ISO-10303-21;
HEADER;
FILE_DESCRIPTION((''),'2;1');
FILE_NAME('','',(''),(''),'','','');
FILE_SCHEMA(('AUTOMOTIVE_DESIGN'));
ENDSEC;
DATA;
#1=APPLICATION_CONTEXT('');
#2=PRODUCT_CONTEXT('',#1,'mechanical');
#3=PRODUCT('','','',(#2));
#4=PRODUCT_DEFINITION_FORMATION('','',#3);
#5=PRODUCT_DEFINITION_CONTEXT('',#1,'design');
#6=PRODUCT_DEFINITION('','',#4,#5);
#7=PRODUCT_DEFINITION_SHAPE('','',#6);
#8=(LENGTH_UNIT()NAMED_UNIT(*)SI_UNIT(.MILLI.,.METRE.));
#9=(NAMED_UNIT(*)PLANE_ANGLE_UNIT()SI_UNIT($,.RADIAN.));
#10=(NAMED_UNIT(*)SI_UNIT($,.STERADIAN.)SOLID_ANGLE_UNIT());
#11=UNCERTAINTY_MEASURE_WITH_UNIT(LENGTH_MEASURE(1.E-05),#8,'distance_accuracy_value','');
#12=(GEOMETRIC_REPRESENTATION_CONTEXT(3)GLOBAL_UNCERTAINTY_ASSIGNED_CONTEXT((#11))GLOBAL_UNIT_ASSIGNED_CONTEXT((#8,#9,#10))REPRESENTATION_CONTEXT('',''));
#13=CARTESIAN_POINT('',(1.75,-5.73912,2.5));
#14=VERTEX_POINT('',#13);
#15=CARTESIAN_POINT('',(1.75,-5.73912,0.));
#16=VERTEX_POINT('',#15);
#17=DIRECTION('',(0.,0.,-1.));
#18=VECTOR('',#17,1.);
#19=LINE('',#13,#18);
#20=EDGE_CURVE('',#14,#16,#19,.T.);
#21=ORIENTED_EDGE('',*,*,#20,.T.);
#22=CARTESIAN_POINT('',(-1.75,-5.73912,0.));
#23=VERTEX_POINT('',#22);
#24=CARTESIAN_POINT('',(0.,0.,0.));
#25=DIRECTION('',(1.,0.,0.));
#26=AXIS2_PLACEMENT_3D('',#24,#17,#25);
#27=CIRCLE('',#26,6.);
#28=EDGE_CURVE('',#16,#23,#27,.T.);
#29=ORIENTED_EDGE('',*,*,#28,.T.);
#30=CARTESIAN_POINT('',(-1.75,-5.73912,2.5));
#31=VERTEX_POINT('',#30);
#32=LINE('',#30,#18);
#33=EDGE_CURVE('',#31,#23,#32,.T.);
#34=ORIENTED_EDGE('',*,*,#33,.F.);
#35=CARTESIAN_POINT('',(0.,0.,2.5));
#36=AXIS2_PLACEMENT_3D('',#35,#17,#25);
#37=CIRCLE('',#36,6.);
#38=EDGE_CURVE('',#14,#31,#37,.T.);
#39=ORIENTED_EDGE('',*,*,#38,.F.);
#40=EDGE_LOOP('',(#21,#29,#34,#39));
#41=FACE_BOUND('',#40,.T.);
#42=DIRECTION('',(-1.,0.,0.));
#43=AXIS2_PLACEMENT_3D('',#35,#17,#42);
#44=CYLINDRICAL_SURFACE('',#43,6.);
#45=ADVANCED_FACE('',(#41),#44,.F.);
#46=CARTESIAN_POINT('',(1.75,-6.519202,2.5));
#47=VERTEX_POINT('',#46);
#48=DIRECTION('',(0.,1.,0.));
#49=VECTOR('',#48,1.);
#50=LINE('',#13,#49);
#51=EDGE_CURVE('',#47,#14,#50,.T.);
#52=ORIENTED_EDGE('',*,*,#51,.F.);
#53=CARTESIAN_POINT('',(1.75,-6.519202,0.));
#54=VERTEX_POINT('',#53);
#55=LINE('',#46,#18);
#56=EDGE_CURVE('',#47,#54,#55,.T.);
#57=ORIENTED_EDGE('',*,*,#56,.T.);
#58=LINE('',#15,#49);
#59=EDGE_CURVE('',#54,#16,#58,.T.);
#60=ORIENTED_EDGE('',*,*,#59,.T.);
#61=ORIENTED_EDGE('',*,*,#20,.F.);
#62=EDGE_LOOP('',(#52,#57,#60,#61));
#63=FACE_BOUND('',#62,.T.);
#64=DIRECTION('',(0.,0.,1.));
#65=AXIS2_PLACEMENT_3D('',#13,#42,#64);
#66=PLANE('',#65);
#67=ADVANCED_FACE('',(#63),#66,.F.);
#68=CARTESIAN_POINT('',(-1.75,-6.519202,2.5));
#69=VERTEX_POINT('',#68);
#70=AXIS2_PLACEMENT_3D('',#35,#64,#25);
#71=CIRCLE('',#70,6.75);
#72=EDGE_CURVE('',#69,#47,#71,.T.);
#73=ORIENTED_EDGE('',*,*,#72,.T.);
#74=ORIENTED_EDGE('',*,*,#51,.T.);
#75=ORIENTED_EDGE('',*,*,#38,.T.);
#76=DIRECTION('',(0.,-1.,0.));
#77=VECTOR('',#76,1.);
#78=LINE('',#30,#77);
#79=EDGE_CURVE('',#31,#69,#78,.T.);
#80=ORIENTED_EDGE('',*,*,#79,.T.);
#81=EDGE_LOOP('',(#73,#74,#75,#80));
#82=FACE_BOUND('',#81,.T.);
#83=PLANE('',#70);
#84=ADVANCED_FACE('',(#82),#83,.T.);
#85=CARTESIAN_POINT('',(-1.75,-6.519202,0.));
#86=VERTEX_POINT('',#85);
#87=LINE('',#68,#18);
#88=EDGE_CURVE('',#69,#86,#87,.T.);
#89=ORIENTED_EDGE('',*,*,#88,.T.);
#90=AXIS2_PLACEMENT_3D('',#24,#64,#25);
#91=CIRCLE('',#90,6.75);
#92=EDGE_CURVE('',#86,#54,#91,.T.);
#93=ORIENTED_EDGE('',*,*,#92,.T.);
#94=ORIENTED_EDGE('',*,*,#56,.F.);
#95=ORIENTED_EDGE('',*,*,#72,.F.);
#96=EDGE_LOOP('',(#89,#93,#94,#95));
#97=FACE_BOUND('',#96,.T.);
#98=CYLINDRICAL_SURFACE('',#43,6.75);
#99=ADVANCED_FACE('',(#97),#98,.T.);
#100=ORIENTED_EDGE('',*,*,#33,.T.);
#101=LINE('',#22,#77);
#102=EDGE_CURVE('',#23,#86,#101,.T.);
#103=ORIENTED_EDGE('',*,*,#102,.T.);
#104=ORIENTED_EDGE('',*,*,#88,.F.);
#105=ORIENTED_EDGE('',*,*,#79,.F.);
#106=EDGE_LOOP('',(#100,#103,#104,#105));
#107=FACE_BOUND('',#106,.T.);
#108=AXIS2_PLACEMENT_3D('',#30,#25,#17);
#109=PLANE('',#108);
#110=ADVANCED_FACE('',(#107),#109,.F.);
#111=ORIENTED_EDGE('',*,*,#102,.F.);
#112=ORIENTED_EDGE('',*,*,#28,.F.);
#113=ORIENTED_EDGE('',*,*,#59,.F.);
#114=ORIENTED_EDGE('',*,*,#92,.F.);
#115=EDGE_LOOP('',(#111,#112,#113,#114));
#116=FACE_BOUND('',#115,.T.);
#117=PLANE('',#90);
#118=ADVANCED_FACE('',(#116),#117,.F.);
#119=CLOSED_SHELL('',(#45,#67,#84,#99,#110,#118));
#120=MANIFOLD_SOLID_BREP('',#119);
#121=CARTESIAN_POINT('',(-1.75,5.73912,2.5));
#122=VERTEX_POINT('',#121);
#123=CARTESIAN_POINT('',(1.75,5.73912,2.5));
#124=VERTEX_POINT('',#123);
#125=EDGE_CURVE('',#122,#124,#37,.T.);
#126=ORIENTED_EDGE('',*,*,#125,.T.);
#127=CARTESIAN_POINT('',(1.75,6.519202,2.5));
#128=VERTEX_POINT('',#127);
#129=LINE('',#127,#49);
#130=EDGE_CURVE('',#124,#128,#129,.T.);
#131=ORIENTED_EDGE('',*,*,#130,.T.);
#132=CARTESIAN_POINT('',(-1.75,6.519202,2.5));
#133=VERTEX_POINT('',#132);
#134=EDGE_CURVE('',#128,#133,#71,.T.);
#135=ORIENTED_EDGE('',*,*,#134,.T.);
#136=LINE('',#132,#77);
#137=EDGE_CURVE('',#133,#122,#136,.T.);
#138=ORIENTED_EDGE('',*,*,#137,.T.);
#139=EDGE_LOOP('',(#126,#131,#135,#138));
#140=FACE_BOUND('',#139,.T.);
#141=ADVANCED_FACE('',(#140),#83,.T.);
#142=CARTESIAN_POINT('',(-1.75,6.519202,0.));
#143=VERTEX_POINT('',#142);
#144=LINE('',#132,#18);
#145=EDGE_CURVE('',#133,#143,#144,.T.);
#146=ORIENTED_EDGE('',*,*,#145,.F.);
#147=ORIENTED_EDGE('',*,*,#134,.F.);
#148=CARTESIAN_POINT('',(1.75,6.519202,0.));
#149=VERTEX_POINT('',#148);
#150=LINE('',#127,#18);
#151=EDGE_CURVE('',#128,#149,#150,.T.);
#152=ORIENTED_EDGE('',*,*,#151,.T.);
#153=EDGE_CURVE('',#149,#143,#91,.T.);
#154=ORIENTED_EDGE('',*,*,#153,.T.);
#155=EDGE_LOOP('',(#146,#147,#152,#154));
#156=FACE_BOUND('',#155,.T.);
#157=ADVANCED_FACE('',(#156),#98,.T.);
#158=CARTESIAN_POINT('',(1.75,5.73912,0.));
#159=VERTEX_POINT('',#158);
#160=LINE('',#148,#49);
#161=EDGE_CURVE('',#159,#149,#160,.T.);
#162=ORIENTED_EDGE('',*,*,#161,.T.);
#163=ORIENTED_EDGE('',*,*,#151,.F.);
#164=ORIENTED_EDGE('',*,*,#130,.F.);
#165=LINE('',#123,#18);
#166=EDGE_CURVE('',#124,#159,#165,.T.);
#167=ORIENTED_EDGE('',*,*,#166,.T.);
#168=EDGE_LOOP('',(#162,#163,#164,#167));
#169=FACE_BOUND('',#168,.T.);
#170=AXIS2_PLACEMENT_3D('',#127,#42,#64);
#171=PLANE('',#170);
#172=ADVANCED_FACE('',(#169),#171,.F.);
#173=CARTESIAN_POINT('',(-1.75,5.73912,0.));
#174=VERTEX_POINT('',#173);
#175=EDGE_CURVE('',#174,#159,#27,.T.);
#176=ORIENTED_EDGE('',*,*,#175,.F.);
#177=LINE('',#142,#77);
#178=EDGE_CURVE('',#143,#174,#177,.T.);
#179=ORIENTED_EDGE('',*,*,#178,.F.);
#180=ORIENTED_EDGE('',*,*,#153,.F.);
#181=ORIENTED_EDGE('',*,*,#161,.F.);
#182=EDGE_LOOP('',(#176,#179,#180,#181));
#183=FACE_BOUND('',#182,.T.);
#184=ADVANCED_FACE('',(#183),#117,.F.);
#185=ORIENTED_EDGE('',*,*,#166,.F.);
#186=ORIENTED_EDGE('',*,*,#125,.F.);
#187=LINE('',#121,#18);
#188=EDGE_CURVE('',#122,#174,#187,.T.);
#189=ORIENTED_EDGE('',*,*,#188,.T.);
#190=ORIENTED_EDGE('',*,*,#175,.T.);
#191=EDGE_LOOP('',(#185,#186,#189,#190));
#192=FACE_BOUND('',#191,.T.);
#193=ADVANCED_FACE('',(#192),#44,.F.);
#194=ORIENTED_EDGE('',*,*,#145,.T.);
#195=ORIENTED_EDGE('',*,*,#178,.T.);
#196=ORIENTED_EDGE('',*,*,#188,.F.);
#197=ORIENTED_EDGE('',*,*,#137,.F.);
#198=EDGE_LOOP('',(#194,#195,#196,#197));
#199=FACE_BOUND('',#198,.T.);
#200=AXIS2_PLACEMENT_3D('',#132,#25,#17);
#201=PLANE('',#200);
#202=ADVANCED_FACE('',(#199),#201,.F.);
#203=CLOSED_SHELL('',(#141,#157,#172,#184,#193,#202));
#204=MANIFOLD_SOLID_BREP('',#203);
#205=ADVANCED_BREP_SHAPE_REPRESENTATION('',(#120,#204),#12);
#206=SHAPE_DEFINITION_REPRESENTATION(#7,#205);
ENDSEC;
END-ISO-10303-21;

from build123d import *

# Parameters (mm, degrees)
BOSS_EXTRU_1_DEPTH   = 2.5
BOSS_EXTRU_1_2_DEPTH = 2.5


with BuildPart() as part:
    # Esquisse1 → Boss.-Extru.1 (new body)
    with BuildSketch(Plane.XY):
        with BuildLine():
            Line((1.75, 6.519202405), (1.75, 5.739120142))
            ThreePointArc((1.75, 5.739120142), (0, 6), (-1.75, 5.739120142))
            Line((-1.75, 5.739120142), (-1.75, 6.519202405))
            ThreePointArc((-1.75, 6.519202405), (0, 6.75), (1.75, 6.519202405))
        make_face()
    extrude(amount=BOSS_EXTRU_1_DEPTH)


with BuildPart() as body_2:
    # Esquisse1 → Boss.-Extru.1 2 (new body)
    with BuildSketch(Plane.XY):
        with BuildLine():
            Line((-1.75, -5.739120142), (-1.75, -6.519202405))
            ThreePointArc((-1.75, -6.519202405), (0, -6.75), (1.75, -6.519202405))
            Line((1.75, -6.519202405), (1.75, -5.739120142))
            ThreePointArc((1.75, -5.739120142), (0, -6), (-1.75, -5.739120142))
        make_face()
    extrude(amount=BOSS_EXTRU_1_2_DEPTH)


solid = Compound([part.part, body_2.part])
